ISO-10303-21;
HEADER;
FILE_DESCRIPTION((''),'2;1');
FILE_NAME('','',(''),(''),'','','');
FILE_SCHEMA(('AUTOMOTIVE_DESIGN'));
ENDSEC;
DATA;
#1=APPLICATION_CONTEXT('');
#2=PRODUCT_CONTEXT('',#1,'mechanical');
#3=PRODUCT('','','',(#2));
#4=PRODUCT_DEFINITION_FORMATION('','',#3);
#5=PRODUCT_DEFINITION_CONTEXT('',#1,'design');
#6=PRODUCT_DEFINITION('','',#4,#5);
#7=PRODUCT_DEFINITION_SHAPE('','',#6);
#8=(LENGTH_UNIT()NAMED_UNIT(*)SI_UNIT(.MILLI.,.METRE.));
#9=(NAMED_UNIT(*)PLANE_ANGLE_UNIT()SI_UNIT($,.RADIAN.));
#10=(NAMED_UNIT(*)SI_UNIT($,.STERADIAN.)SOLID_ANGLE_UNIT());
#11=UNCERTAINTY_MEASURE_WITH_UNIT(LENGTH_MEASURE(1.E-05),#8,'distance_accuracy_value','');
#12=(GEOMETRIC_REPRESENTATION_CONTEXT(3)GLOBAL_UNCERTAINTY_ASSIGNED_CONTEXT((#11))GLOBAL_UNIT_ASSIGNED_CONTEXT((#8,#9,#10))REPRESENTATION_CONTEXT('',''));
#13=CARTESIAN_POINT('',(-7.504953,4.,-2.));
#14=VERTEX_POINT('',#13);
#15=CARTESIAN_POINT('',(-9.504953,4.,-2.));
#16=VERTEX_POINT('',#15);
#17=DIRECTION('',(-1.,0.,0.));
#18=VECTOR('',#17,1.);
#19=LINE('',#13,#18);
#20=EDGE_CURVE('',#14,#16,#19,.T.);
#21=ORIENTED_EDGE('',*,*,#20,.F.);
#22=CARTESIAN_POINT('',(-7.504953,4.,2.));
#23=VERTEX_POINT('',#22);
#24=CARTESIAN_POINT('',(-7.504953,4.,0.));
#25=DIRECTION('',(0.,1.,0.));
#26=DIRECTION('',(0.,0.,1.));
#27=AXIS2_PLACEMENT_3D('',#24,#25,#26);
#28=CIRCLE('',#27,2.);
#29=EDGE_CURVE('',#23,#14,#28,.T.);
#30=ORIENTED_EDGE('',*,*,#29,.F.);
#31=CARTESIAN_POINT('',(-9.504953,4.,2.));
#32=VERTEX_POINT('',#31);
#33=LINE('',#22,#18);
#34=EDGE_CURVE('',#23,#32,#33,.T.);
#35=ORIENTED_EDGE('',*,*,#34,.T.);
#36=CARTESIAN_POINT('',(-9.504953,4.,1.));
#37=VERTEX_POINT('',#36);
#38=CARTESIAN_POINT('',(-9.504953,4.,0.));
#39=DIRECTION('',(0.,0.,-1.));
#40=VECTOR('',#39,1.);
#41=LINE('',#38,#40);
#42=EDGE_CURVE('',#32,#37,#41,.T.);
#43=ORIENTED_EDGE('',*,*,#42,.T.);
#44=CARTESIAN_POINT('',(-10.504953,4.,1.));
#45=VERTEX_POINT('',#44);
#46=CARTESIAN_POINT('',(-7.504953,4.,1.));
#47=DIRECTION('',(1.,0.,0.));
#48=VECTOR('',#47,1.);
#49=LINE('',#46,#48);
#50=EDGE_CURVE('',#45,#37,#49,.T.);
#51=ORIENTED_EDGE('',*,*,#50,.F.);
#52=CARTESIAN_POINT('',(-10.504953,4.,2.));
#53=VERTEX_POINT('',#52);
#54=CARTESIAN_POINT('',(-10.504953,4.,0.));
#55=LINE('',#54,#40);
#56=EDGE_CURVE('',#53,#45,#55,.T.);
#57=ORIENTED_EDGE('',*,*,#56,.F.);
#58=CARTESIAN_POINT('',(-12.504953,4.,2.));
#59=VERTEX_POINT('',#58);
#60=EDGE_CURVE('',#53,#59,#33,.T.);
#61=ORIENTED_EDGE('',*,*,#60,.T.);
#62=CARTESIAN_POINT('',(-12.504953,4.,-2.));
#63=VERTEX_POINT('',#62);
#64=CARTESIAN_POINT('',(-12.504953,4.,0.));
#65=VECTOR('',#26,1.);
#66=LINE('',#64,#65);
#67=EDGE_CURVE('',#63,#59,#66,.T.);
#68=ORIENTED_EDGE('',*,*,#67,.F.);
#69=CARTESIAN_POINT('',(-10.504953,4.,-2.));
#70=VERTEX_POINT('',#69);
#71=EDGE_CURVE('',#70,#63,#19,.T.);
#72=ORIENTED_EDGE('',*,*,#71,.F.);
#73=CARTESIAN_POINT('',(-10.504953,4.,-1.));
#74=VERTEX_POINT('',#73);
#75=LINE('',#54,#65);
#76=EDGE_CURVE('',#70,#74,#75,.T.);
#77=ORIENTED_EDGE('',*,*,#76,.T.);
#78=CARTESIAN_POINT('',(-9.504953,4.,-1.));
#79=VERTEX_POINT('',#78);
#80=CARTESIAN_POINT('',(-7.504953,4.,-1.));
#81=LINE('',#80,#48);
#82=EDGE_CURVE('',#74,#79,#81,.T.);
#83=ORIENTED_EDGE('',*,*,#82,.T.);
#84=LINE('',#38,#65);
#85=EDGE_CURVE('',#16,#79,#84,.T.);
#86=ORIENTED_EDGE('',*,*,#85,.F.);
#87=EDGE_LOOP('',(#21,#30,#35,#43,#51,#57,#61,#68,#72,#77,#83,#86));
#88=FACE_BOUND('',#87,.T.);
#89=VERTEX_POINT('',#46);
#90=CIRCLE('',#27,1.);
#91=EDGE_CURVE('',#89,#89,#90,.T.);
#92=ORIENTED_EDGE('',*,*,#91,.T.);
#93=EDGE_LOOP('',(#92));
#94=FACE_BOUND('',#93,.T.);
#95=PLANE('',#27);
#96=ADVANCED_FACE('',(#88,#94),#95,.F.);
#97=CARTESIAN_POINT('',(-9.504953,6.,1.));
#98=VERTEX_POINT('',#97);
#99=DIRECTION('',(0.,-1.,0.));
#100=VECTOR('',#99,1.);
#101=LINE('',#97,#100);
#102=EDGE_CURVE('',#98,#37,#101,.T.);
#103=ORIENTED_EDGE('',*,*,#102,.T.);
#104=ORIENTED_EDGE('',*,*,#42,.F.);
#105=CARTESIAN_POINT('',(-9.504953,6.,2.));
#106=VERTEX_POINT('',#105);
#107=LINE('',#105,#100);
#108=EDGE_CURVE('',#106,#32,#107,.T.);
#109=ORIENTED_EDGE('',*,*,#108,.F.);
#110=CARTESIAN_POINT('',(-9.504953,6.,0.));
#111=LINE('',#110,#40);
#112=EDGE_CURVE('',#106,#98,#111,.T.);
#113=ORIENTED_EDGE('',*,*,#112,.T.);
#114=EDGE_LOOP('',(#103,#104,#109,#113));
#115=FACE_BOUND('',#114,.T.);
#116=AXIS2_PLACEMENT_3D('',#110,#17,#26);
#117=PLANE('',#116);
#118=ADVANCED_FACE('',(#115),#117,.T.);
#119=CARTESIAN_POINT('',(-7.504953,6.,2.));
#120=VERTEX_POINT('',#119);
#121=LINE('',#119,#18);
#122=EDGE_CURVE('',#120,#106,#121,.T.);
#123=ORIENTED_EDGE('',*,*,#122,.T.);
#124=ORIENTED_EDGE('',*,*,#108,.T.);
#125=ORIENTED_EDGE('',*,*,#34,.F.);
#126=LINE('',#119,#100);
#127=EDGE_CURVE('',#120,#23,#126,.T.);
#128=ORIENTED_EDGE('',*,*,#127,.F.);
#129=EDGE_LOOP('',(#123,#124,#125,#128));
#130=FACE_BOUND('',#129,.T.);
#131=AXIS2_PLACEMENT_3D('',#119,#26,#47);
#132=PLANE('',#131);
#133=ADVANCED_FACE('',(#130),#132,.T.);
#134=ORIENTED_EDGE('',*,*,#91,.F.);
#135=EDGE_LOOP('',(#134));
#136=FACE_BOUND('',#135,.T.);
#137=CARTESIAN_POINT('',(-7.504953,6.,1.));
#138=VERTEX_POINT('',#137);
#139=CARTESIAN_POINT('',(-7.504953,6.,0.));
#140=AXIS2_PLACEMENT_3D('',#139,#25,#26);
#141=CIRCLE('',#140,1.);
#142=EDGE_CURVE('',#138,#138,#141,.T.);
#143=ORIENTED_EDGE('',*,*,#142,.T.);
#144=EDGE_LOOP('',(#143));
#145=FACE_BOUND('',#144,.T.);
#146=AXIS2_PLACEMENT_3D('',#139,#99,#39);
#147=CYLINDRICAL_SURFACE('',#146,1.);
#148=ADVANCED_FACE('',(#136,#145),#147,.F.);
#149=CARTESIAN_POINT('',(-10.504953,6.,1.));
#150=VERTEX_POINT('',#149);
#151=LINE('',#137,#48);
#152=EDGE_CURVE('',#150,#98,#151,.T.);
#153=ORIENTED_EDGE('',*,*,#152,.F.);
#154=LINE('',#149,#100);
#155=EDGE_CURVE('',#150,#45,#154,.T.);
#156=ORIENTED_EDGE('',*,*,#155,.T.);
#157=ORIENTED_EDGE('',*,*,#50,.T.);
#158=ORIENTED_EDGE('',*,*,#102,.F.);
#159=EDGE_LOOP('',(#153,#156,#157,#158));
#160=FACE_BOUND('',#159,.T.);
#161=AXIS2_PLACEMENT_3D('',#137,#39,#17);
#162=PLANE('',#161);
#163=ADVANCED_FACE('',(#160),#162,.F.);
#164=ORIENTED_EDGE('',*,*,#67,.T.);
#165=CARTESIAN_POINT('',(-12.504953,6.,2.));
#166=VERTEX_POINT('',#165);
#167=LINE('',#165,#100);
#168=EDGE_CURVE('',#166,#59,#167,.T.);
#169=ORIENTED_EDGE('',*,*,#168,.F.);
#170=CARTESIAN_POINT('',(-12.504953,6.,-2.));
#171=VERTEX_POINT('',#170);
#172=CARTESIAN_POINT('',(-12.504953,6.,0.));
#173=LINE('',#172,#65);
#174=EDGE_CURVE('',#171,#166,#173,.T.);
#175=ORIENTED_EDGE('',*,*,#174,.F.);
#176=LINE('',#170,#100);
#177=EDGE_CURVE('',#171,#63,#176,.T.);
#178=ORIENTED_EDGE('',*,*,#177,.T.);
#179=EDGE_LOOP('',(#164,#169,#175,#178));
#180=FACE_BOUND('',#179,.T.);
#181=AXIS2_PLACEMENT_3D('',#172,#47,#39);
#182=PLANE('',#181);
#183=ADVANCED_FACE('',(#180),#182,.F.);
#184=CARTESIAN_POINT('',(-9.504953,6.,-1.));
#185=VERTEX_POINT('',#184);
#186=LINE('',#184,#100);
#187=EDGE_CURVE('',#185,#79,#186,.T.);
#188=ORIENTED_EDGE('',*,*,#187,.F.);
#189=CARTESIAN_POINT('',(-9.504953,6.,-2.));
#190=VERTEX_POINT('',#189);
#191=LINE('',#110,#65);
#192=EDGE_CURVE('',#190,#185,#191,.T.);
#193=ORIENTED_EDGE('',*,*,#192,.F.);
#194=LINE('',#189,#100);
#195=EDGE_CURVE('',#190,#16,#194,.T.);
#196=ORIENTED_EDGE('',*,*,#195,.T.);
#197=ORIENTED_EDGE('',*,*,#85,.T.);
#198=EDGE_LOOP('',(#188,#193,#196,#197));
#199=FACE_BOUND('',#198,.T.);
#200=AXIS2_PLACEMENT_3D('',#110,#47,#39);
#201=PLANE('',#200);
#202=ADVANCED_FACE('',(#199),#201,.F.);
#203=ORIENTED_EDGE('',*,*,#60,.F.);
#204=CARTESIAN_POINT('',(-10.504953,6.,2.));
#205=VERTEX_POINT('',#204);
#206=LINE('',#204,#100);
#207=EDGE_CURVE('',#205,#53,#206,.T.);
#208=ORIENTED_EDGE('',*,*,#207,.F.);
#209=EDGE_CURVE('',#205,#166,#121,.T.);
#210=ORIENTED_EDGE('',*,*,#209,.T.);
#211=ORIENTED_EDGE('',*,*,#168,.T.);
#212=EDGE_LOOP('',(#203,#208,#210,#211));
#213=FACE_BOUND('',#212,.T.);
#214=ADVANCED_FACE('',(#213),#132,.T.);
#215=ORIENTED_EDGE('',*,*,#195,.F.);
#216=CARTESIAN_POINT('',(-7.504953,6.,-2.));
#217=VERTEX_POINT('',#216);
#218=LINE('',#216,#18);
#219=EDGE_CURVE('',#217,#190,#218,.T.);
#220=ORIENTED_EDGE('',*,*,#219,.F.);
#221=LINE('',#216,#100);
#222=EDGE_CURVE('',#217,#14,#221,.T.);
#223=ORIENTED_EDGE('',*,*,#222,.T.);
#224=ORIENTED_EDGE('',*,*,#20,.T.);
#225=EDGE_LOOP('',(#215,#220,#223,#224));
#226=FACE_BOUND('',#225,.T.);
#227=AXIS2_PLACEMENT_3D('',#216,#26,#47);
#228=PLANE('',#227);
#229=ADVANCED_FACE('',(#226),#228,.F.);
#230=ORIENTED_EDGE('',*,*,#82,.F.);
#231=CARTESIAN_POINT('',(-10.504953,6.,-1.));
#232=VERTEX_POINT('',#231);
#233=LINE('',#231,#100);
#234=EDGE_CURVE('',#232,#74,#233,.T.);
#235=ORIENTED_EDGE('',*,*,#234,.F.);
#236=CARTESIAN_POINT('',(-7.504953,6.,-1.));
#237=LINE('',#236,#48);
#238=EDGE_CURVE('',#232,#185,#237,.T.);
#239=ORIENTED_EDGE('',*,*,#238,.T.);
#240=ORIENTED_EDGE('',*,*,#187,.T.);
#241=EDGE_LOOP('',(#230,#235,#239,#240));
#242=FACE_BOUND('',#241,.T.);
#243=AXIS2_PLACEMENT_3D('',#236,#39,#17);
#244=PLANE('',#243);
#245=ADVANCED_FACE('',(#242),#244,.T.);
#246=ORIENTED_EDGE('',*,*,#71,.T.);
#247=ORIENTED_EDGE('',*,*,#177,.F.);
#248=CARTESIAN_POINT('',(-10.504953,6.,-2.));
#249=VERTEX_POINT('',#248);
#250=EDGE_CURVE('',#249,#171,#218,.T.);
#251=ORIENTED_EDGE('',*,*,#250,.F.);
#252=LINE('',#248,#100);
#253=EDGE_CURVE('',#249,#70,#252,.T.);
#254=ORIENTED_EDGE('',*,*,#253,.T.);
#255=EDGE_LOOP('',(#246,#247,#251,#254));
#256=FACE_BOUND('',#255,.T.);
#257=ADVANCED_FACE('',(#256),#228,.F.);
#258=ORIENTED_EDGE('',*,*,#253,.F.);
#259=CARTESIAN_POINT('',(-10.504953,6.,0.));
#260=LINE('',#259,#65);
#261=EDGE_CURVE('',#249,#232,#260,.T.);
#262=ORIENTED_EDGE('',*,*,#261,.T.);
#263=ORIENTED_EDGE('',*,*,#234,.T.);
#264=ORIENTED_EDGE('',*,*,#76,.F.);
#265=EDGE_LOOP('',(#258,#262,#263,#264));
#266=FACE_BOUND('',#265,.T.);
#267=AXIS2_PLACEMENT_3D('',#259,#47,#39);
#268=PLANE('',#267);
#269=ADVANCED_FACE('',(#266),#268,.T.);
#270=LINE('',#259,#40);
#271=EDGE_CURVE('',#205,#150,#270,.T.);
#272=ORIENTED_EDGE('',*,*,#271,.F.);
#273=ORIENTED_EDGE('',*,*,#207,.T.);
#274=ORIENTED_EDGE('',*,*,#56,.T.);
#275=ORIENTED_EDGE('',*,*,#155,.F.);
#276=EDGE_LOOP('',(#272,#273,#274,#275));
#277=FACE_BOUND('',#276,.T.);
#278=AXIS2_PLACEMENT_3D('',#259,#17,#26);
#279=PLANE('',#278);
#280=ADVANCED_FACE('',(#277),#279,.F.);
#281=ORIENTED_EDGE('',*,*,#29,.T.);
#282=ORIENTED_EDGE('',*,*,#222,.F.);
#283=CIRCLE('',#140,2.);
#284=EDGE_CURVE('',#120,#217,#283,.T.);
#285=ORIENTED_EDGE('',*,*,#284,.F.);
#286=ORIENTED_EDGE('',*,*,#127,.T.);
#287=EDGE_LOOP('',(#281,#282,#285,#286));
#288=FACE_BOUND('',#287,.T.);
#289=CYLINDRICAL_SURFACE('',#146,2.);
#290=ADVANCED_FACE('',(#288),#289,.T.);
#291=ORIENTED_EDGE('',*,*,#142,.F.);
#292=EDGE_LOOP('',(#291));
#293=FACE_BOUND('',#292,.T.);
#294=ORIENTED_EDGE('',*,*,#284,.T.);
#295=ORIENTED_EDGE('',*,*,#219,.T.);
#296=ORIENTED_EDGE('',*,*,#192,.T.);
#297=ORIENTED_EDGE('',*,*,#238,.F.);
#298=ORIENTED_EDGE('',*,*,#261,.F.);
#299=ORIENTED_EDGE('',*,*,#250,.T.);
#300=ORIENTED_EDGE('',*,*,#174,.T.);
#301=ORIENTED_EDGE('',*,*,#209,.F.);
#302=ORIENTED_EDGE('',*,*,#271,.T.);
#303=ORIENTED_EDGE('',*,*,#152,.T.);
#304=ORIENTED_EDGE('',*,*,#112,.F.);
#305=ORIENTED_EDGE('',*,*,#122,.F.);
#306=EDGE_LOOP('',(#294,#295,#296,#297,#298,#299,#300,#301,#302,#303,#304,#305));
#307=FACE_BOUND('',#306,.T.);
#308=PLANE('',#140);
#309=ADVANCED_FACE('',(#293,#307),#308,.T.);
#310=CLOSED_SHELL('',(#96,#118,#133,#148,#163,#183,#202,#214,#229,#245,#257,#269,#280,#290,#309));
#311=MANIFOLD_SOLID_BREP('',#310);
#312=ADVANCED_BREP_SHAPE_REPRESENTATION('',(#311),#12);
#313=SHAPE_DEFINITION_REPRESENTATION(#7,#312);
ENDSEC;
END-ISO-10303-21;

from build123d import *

# Parameters (mm, degrees)
SKETCH_1_R      = 5
EXTRUDE_1_DEPTH = 10
SCALE_1_SCALE   = 0.2


with BuildPart() as part:
    # 草圖1 → 填料-伸長1 (new body)
    with BuildSketch(Plane(origin=(0, 0, 0), x_dir=(1, 0, 0), z_dir=(0, 1, 0))):
        with BuildLine():
            ThreePointArc((0, -10), (10, 0), (0, 10))
            Line((0, 10), (-10, 10))
            Line((-10, 10), (-10, 5))
            Line((-10, 5), (-15, 5))
            Line((-15, 5), (-15, 10))
            Line((-15, 10), (-25, 10))
            Line((-25, 10), (-25, -10))
            Line((-25, -10), (-15, -10))
            Line((-15, -10), (-15, -5))
            Line((-15, -5), (-10, -5))
            Line((-10, -5), (-10, -10))
            Line((-10, -10), (0, -10))
        make_face()
        Circle(SKETCH_1_R, mode=Mode.SUBTRACT)
    extrude(amount=EXTRUDE_1_DEPTH)


with BuildPart() as part_1:
    # 縮放比例1: scaled about (-9.381191691, 5, 0)
    add(part.part.scale(SCALE_1_SCALE).moved(Location((-7.504953353, 4, 0))))


solid = part_1.part
